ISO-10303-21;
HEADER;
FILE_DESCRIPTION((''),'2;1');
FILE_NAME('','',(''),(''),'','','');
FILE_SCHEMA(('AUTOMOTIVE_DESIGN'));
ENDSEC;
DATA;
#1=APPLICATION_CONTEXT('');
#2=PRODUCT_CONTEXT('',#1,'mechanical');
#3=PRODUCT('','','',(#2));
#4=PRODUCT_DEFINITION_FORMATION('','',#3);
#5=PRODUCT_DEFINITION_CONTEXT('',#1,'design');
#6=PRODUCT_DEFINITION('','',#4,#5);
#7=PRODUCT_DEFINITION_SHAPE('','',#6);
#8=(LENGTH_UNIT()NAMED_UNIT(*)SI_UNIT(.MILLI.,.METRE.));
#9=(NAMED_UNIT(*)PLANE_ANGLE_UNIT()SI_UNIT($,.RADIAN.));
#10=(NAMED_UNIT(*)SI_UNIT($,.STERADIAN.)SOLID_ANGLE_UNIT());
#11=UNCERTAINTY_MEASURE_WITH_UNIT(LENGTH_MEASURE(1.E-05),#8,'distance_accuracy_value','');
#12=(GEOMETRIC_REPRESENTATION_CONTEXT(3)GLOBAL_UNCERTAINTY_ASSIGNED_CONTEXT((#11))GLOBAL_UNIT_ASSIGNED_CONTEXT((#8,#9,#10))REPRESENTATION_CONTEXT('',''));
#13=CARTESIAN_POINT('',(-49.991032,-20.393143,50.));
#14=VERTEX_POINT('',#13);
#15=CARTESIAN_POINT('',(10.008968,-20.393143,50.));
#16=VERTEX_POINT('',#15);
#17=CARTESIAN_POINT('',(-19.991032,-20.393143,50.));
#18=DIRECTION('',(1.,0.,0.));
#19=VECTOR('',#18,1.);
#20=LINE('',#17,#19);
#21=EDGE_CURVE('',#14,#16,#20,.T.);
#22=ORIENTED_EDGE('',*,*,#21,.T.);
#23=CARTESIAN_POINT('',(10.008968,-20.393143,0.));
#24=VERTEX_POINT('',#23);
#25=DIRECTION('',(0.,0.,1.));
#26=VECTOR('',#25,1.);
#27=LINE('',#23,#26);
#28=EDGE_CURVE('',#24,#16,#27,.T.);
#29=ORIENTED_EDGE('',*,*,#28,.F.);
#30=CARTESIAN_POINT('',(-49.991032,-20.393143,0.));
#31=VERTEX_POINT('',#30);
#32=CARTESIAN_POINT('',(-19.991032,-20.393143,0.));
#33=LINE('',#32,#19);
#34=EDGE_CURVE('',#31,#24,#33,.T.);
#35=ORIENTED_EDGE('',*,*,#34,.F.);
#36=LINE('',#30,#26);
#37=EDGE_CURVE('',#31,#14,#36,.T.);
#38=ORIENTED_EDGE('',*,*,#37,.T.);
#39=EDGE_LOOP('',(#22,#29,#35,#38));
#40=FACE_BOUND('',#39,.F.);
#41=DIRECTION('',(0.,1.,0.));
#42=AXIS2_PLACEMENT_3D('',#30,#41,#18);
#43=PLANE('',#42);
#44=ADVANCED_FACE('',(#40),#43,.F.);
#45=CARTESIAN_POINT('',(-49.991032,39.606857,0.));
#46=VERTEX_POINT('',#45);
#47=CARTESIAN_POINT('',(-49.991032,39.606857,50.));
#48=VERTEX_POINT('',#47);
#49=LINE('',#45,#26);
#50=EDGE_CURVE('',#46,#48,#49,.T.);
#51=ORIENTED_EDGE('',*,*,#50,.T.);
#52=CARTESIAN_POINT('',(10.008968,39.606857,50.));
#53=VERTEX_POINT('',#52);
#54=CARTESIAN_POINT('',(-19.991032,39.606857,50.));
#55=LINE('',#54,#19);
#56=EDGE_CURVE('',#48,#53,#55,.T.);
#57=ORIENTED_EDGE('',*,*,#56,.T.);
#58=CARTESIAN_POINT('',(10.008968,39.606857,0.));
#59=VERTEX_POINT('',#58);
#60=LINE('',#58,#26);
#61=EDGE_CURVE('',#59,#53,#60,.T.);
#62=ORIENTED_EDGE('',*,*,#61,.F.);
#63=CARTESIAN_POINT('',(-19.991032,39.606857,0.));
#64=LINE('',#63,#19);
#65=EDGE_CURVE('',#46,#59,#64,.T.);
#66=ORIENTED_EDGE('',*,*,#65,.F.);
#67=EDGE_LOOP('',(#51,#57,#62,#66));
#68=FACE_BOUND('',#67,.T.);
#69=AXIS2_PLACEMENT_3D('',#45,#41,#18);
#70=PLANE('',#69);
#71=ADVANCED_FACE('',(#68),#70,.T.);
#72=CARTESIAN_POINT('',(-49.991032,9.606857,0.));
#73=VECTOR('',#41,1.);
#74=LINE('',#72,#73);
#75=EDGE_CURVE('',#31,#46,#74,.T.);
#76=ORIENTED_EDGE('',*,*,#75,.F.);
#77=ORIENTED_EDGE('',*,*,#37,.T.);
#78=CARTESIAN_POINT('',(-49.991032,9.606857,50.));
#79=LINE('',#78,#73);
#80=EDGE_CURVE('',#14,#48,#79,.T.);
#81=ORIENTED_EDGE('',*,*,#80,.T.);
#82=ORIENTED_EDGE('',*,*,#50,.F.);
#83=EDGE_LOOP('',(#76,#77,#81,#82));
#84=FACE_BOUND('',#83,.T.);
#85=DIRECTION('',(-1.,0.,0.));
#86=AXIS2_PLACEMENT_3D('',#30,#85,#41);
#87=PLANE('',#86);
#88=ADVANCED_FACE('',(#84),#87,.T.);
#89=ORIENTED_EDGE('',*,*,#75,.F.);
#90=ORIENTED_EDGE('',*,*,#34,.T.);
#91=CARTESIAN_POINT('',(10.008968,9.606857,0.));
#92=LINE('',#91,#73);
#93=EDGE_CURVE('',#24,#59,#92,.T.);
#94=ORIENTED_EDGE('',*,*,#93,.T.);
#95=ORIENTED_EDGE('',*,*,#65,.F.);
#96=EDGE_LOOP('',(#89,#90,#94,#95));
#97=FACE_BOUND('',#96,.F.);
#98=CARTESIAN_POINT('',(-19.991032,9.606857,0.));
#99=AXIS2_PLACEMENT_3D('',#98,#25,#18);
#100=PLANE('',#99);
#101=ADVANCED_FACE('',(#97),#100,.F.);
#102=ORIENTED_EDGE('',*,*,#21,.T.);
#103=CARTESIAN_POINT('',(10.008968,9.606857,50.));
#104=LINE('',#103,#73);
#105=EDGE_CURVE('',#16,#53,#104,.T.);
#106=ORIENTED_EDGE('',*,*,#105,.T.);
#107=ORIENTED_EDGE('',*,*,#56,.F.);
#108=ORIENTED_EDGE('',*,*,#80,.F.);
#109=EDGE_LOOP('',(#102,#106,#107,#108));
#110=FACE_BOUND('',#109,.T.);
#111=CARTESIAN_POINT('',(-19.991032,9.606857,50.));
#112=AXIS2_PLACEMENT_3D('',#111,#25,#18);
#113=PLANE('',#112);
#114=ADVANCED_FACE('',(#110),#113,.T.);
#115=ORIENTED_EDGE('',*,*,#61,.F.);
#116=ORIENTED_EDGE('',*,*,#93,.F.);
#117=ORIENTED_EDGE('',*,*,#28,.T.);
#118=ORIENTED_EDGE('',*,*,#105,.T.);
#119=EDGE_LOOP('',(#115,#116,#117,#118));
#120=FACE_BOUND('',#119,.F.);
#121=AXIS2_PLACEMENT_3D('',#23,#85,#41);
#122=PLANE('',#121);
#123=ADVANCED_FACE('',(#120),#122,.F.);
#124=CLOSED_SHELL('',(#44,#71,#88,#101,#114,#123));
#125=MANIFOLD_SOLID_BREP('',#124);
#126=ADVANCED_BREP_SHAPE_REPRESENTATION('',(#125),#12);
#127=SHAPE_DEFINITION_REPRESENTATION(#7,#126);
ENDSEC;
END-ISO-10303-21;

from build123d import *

# Parameters (mm, degrees)
SKETCH_W      = 60
SKETCH_H      = 60
EXTRUDE_DEPTH = 50


with BuildPart() as part:
    # Sketch → Extrude (new body)
    with BuildSketch(Plane.XY):
        with Locations((-19.991032, 9.606857)):
            Rectangle(SKETCH_W, SKETCH_H)
    extrude(amount=EXTRUDE_DEPTH)


solid = part.part
